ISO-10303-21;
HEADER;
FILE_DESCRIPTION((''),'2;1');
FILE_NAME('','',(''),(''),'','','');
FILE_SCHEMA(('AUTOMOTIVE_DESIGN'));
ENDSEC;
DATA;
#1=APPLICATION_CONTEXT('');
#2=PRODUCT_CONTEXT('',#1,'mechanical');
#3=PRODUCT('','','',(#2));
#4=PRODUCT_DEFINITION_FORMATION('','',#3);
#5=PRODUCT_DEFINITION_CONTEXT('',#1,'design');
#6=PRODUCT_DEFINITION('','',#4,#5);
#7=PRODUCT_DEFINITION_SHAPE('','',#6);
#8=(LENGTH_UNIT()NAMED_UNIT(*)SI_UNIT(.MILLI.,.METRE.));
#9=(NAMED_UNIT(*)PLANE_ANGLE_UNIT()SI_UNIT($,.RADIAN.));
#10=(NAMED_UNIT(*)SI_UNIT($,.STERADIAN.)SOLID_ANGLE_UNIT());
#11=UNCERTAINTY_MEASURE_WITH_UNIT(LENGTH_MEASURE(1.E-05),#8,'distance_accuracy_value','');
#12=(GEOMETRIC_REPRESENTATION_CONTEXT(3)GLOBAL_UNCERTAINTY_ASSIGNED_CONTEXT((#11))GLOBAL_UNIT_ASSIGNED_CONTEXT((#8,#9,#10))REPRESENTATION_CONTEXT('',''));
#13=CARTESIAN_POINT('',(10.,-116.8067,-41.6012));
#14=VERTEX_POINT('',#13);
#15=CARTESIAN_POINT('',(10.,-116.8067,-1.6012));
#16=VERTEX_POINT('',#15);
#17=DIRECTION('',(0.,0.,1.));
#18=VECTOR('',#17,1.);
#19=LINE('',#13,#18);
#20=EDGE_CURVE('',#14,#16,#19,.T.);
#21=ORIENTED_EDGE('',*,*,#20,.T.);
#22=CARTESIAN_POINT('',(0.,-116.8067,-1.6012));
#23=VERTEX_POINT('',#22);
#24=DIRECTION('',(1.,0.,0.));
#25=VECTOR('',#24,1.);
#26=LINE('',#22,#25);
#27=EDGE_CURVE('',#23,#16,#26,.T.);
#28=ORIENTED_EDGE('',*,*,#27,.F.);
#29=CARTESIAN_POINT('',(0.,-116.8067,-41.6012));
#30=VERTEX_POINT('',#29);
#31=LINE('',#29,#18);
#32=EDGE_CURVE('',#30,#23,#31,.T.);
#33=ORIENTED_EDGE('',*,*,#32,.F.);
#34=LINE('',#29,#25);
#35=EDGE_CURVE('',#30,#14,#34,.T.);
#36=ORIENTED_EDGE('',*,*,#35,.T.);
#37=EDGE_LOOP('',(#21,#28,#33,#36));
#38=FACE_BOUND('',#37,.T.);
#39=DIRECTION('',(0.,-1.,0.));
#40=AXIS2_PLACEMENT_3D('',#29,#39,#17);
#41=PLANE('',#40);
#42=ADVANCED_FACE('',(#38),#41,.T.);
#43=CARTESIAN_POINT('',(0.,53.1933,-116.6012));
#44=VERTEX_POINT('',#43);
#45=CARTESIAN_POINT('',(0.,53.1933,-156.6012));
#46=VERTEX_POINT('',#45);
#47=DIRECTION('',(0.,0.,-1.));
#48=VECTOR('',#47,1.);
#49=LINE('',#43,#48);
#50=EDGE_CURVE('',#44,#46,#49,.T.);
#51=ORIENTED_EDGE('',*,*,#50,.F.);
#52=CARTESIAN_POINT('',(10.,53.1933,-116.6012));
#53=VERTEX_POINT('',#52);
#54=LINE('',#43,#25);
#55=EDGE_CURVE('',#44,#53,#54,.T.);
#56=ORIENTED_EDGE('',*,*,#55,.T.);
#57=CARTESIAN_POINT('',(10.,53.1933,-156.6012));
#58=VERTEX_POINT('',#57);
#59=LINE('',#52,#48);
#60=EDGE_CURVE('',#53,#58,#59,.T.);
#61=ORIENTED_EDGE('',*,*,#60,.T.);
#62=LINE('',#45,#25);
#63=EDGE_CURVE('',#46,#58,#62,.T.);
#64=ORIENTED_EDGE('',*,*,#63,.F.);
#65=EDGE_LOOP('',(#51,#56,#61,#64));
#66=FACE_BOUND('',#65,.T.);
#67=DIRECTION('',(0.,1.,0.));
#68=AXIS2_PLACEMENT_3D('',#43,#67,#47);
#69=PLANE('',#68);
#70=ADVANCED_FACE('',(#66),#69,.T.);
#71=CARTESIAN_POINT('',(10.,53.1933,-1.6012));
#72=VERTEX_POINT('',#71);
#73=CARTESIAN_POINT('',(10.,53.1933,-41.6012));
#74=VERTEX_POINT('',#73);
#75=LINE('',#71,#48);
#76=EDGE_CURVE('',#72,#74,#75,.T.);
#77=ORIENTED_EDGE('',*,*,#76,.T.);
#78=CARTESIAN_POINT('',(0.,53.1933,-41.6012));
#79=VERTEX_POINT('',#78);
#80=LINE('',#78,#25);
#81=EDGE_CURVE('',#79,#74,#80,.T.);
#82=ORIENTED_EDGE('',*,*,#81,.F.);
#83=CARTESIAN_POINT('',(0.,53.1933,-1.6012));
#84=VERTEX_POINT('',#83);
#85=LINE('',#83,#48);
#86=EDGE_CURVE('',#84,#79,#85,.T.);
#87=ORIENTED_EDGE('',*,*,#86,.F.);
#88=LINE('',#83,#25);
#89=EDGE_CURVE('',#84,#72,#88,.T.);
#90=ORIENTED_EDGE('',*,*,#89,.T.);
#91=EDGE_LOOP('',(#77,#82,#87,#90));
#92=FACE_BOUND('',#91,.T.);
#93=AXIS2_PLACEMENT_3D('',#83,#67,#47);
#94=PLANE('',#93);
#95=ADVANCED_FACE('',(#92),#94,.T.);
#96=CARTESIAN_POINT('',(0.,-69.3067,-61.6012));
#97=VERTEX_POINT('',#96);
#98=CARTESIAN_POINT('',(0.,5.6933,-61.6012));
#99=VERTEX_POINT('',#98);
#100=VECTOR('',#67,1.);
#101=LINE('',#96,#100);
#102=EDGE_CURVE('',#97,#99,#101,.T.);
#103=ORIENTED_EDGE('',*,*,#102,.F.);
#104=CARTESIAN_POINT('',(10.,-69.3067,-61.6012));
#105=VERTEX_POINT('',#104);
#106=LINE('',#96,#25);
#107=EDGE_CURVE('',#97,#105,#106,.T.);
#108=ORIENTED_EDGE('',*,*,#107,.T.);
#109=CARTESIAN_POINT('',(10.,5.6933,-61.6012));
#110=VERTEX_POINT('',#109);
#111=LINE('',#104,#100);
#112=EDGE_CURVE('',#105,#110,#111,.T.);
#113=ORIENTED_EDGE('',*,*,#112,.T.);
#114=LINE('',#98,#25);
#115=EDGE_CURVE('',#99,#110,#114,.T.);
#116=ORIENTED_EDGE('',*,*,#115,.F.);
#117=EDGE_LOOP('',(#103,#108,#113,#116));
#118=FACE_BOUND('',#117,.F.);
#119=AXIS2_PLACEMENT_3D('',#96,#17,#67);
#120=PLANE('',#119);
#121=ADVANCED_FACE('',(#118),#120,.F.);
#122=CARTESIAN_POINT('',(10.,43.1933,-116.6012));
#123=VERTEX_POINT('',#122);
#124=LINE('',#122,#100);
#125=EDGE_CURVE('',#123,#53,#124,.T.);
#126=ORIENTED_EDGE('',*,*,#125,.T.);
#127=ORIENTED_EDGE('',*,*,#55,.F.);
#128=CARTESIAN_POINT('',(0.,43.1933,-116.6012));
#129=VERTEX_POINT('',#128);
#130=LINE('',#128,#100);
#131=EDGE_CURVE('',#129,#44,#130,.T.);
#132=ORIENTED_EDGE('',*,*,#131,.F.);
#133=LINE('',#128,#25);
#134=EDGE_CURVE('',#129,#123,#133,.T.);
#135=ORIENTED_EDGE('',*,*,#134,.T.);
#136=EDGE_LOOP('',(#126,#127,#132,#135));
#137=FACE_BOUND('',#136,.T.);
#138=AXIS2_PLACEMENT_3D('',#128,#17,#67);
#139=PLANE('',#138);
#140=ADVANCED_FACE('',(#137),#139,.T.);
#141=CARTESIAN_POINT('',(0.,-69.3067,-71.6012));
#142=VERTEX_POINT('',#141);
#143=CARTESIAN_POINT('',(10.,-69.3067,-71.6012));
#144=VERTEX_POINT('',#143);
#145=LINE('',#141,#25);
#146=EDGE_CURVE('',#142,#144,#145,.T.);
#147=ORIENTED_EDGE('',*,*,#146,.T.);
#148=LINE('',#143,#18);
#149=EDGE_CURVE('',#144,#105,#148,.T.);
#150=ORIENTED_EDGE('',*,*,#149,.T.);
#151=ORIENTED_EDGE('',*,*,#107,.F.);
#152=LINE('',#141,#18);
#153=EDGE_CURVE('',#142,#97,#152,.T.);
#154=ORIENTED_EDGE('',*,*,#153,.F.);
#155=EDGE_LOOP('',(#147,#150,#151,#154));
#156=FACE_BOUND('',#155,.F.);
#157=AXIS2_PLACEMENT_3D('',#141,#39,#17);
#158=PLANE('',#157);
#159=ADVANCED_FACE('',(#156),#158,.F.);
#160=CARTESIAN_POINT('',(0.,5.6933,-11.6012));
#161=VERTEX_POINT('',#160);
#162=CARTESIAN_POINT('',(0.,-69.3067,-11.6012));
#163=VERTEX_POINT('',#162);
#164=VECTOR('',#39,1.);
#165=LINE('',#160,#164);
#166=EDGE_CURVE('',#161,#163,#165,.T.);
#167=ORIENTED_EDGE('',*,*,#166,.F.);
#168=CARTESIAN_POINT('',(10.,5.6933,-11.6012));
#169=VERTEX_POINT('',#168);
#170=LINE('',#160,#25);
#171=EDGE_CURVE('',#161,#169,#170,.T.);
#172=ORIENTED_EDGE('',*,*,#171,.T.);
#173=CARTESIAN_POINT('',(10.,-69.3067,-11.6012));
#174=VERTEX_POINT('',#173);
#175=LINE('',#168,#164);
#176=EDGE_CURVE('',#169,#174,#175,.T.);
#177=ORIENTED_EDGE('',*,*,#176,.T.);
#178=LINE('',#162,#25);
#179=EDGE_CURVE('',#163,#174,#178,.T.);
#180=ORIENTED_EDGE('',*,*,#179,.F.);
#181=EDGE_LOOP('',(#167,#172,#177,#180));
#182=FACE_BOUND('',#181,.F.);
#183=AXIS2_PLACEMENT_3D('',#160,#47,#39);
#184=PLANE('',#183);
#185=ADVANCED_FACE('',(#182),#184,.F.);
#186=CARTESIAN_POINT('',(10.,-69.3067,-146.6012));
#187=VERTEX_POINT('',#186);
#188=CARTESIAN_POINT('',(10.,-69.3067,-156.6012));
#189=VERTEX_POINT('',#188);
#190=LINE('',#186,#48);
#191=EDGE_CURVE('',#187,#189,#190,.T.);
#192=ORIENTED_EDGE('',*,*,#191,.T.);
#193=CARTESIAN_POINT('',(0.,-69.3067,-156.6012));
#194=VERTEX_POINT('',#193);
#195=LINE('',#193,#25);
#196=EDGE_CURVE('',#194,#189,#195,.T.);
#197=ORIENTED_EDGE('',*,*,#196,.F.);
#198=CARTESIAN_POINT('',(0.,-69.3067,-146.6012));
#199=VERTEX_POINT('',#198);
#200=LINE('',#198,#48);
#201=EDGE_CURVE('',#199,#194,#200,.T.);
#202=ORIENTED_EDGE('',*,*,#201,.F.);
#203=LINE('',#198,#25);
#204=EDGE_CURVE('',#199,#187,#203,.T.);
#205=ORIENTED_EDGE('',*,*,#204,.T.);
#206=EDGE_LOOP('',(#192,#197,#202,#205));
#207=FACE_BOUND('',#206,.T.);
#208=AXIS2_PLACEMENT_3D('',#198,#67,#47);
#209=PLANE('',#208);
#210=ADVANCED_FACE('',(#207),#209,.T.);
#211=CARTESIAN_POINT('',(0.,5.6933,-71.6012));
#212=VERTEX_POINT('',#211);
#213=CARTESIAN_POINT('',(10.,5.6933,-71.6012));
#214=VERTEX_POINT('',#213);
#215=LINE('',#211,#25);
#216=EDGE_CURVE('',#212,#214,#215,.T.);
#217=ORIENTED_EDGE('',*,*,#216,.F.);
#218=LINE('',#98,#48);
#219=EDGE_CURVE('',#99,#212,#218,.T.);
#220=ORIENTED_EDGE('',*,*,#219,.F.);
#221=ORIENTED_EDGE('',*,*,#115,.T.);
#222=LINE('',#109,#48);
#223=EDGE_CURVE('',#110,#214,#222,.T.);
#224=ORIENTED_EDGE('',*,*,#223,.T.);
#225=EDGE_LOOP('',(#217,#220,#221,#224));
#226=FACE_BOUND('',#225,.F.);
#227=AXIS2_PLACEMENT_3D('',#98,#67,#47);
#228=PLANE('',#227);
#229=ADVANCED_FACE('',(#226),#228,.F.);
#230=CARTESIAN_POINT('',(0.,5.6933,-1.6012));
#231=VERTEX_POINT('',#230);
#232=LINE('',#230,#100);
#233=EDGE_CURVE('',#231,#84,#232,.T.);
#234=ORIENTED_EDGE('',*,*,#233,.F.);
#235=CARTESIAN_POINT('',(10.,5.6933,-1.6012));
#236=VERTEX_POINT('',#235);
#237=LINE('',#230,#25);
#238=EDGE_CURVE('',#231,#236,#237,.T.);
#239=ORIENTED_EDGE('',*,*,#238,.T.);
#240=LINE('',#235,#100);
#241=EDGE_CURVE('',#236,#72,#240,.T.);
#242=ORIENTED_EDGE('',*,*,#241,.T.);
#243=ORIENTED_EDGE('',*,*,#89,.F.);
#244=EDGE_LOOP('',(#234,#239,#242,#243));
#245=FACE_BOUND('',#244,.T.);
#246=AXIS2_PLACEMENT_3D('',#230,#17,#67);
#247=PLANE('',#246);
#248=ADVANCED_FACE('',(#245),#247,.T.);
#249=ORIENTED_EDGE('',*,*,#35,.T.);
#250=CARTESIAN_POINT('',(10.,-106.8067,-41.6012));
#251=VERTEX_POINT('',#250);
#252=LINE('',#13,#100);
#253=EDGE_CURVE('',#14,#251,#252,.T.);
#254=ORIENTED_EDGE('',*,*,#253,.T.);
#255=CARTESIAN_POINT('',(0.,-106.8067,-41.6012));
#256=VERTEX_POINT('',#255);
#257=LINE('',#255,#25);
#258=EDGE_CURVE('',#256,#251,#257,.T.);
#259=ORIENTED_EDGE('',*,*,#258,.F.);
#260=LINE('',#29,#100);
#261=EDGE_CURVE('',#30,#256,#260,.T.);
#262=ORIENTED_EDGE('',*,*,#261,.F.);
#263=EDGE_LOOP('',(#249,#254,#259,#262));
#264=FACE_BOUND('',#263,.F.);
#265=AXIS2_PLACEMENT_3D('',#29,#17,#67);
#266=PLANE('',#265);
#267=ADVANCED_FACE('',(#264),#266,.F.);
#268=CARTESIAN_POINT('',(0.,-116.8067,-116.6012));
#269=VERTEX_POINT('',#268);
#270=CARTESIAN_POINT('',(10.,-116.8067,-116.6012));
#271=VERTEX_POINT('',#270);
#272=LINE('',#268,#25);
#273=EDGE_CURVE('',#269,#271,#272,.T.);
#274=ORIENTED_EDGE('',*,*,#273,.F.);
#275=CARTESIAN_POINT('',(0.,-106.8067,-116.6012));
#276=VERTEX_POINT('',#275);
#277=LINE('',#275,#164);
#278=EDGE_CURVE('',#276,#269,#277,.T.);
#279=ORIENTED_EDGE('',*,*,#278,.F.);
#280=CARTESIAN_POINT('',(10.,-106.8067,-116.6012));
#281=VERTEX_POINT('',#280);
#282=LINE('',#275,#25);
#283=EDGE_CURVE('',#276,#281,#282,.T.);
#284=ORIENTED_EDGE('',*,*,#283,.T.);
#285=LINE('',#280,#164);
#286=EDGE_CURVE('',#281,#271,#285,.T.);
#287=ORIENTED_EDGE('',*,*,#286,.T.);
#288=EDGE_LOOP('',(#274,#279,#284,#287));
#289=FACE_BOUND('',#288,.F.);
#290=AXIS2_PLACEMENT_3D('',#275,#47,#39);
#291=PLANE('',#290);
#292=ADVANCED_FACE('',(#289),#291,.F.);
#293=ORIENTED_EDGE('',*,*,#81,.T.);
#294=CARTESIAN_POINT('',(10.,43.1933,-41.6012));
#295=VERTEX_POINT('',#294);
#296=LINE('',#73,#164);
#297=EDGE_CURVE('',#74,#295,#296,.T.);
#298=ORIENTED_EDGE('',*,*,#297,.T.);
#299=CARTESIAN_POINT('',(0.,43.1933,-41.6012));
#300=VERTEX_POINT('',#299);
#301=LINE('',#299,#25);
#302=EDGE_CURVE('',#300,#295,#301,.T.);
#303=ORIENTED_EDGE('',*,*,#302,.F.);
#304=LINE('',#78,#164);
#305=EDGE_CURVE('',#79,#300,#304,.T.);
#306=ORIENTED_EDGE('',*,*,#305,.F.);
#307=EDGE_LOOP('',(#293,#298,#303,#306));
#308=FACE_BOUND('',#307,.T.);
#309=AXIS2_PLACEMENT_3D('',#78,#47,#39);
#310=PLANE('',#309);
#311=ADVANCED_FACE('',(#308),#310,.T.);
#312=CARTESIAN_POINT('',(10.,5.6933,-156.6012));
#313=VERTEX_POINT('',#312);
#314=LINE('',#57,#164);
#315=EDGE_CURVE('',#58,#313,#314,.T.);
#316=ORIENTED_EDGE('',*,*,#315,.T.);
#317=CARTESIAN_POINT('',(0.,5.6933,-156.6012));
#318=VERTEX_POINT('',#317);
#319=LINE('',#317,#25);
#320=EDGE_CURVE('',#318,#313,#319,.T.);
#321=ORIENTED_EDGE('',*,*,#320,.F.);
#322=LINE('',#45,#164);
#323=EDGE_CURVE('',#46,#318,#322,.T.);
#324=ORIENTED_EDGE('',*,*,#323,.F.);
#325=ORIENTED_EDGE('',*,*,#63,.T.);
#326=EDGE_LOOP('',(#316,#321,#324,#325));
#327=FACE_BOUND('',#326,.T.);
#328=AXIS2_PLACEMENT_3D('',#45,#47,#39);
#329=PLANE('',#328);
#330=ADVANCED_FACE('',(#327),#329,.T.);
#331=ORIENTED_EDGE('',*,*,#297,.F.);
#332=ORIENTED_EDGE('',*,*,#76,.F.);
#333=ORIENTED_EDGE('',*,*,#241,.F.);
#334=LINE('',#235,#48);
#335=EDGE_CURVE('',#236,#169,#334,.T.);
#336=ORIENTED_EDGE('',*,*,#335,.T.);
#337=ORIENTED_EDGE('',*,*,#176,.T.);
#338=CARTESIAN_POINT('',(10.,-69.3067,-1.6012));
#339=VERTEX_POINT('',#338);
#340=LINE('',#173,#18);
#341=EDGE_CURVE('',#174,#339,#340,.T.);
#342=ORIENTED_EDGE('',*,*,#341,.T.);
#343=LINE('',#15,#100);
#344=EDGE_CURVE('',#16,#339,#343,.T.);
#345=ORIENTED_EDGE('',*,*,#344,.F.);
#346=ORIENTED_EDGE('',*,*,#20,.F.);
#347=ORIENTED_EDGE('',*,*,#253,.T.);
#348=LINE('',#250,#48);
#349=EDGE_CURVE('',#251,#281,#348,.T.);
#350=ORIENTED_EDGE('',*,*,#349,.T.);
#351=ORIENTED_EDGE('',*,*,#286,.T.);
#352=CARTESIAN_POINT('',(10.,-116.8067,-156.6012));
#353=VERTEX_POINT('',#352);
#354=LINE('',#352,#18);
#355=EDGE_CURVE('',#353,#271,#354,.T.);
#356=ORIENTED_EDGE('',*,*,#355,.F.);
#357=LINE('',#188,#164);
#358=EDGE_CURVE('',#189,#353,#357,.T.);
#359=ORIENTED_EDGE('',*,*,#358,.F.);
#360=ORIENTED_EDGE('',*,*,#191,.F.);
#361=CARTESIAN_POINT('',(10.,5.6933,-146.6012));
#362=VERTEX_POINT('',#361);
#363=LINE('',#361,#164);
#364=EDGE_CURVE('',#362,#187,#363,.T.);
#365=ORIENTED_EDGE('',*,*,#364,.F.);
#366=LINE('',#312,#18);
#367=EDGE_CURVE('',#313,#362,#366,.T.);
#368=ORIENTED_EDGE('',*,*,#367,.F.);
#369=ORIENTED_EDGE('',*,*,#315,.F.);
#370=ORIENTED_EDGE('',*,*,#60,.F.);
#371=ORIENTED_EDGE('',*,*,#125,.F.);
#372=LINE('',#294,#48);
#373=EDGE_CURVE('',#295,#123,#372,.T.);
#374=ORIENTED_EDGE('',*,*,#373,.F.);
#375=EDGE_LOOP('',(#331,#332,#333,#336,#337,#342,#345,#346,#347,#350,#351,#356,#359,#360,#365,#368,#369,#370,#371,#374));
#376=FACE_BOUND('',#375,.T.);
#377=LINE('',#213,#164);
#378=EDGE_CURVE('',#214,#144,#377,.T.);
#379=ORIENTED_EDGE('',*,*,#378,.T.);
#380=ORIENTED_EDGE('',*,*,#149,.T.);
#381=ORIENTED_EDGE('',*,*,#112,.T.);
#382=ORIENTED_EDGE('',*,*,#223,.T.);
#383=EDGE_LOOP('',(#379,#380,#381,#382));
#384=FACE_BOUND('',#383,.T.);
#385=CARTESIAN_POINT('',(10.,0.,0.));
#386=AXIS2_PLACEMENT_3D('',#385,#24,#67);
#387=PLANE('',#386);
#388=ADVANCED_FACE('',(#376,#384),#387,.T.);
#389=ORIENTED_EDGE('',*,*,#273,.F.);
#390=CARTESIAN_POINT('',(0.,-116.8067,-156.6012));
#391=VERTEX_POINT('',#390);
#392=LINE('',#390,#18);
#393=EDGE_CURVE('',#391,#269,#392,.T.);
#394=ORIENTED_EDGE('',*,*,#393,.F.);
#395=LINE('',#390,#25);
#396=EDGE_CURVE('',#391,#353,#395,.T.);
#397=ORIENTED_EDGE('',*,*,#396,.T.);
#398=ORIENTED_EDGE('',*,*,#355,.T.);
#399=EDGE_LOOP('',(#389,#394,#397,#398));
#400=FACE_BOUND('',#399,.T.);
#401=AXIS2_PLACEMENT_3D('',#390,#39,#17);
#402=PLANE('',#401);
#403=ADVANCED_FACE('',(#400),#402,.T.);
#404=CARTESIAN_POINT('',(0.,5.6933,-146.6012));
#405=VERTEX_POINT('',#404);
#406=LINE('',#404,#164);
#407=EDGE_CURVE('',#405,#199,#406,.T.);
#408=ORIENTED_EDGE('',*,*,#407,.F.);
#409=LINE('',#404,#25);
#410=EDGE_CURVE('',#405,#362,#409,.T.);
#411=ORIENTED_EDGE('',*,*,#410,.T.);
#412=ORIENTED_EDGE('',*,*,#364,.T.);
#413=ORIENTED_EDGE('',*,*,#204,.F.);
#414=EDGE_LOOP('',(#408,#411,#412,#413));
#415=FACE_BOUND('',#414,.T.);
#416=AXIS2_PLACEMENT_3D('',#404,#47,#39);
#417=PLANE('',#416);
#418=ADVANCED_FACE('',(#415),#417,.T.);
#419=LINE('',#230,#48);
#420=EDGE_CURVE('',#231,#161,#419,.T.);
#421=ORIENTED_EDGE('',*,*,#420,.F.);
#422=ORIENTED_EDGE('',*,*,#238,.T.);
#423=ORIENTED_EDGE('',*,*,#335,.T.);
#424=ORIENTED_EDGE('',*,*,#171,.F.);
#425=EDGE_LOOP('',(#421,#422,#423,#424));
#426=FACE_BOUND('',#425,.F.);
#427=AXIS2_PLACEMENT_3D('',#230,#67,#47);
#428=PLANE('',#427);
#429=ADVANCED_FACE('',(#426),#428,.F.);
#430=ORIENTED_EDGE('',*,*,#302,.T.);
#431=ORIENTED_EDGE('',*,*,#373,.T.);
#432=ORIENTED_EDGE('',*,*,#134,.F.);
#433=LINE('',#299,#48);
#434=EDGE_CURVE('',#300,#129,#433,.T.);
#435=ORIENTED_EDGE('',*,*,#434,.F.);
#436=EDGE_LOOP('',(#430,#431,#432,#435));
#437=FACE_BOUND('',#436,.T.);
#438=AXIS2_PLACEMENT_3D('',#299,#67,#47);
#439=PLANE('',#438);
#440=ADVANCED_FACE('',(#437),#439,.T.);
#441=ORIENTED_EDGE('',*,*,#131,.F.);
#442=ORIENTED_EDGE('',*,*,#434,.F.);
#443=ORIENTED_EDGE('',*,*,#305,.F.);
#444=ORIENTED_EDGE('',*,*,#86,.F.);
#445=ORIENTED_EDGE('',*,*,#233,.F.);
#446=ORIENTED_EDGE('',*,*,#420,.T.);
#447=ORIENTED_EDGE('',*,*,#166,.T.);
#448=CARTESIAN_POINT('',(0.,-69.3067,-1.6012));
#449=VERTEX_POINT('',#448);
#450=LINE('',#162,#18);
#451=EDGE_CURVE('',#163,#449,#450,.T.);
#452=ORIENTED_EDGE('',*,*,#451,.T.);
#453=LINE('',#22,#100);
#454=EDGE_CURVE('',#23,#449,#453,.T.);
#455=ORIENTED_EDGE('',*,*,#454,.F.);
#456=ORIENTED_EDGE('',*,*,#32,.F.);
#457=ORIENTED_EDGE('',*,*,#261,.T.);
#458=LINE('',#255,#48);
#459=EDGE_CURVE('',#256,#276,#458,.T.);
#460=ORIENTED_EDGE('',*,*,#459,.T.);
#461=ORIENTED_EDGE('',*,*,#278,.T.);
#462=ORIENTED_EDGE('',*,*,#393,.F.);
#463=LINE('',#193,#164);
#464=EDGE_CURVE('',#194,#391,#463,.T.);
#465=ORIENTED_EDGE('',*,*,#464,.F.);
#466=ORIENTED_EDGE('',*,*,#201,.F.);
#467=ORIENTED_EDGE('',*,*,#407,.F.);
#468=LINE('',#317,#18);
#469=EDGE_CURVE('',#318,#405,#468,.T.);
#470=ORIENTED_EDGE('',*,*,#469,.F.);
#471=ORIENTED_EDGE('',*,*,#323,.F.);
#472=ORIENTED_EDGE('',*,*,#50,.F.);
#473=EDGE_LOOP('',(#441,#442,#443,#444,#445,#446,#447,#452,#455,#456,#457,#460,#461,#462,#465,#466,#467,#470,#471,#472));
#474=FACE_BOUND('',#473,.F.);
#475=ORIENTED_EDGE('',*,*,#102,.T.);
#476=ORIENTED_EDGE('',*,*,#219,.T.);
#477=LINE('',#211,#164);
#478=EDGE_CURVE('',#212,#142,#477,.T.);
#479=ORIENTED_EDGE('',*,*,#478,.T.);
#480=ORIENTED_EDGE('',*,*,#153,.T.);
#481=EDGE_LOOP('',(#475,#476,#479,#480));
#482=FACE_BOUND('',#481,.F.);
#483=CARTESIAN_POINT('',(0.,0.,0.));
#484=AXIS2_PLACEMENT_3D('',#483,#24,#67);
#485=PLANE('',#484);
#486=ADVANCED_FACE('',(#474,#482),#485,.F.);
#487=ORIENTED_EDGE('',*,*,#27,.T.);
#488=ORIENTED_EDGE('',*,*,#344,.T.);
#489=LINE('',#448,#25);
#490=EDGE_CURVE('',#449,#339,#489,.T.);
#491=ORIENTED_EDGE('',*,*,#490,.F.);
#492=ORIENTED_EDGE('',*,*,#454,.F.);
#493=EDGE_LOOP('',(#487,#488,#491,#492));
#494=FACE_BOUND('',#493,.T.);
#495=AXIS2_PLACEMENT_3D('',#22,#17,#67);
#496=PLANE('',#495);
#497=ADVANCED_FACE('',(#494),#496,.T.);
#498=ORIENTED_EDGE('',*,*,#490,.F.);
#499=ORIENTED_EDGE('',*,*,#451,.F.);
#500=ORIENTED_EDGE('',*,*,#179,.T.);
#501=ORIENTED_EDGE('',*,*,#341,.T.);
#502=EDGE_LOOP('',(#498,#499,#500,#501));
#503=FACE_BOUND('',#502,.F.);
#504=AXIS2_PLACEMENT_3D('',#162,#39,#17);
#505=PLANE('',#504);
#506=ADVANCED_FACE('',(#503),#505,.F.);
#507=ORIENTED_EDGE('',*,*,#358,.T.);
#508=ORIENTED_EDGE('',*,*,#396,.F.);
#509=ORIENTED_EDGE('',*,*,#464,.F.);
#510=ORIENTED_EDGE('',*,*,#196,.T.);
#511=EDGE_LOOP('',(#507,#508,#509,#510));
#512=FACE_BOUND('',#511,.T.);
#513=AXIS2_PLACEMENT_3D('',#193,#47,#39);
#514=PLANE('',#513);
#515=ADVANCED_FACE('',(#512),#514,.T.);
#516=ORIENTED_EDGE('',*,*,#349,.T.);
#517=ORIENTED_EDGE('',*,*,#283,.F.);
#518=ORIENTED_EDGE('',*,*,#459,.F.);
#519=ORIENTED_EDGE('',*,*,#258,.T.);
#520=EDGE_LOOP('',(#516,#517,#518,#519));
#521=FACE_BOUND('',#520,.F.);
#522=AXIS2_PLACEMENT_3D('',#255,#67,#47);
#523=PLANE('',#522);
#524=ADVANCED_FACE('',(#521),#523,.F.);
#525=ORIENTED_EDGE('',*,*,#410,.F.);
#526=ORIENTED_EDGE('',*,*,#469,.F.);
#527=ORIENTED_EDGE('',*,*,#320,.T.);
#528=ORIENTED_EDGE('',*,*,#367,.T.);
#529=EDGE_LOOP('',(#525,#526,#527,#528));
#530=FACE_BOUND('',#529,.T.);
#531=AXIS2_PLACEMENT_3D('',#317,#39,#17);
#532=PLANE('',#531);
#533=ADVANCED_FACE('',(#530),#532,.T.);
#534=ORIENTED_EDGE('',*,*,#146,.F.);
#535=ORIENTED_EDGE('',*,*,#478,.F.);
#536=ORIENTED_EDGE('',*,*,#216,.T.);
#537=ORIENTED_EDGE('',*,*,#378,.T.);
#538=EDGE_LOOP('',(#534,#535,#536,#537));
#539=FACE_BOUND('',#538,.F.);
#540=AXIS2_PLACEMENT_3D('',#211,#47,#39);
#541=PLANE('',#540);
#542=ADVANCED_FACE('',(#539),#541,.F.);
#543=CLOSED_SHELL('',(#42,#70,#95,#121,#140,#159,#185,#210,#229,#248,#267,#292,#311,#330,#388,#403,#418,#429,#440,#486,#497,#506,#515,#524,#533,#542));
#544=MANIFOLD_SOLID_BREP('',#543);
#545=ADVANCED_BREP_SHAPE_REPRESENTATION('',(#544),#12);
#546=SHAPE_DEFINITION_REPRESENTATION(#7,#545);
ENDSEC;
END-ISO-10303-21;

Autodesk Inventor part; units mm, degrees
ref_plane "YZ Plane" through (0, 0, 0) normal (1, 0, 0) x (0, 1, 0)
ref_plane "XZ Plane" through (0, 0, 0) normal (0, 1, 0) x (-1, 0, 0)
ref_plane "XY Plane" through (0, 0, 0) normal (0, 0, 1) x (1, 0, 0)
sketch "Skizze1" plane through (0, 0, 0) normal (1, 0, 0) x (0, 1, 0)
  line L0 (5.6933, -1.6012) -> (5.6933, -11.6012)
  line L1 (5.6933, -11.6012) -> (-69.3067, -11.6012)
  line L2 (-69.3067, -11.6012) -> (-69.3067, -1.6012)
  line L3 (-116.8067, -1.6012) -> (-69.3067, -1.6012)
  line L4 (5.6933, -1.6012) -> (53.1933, -1.6012)
  line L5 (5.6933, -156.6012) -> (5.6933, -146.6012)
  line L6 (5.6933, -146.6012) -> (-69.3067, -146.6012)
  line L7 (-69.3067, -146.6012) -> (-69.3067, -156.6012)
  line L8 (-69.3067, -61.6012) -> (5.6933, -61.6012)
  line L9 (5.6933, -61.6012) -> (5.6933, -71.6012)
  line L10 (5.6933, -71.6012) -> (-69.3067, -71.6012)
  line L11 (-69.3067, -71.6012) -> (-69.3067, -61.6012)
  line L12 (53.1933, -156.6012) -> (5.6933, -156.6012)
  line L13 (-69.3067, -156.6012) -> (-116.8067, -156.6012)
  line L14 (-116.8067, -41.6012) -> (-106.8067, -41.6012)
  line L15 (-106.8067, -41.6012) -> (-106.8067, -116.6012)
  line L16 (-106.8067, -116.6012) -> (-116.8067, -116.6012)
  line L17 (-116.8067, -156.6012) -> (-116.8067, -116.6012)
  line L18 (-116.8067, -41.6012) -> (-116.8067, -1.6012)
  line L19 (53.1933, -41.6012) -> (43.1933, -41.6012)
  line L20 (43.1933, -41.6012) -> (43.1933, -116.6012)
  line L21 (43.1933, -116.6012) -> (53.1933, -116.6012)
  line L22 (53.1933, -1.6012) -> (53.1933, -41.6012)
  line L23 (53.1933, -116.6012) -> (53.1933, -156.6012)
  point P0 (0, 0)
  dimension "d0" = 170
  dimension "d1" = 155
  dimension "d2" = 75
  dimension "d3" = 10
  dimension "d5" = 75
  dimension "d6" = 10
  dimension "d8" = 75
  dimension "d9" = 10
  dimension "d10" = 50
  dimension "d14" = 0
  dimension "d15" = 0
  dimension "d16" = 10
  dimension "d17" = 75
  dimension "d18" = 40
  dimension "d19" = 0
  dimension "d20" = 10
  dimension "d23" = 40
  dimension "d24" = 10
  dimension "d25" = 47.5
  dimension "d26" = 37.5
  dimension "d27" = 40
  dimension "d28" = 75
  dimension "d29" = 170
extrude "Extrusion1" add sketch "Skizze1" along normal blind 10
properties part number "Platte2-Seite"
